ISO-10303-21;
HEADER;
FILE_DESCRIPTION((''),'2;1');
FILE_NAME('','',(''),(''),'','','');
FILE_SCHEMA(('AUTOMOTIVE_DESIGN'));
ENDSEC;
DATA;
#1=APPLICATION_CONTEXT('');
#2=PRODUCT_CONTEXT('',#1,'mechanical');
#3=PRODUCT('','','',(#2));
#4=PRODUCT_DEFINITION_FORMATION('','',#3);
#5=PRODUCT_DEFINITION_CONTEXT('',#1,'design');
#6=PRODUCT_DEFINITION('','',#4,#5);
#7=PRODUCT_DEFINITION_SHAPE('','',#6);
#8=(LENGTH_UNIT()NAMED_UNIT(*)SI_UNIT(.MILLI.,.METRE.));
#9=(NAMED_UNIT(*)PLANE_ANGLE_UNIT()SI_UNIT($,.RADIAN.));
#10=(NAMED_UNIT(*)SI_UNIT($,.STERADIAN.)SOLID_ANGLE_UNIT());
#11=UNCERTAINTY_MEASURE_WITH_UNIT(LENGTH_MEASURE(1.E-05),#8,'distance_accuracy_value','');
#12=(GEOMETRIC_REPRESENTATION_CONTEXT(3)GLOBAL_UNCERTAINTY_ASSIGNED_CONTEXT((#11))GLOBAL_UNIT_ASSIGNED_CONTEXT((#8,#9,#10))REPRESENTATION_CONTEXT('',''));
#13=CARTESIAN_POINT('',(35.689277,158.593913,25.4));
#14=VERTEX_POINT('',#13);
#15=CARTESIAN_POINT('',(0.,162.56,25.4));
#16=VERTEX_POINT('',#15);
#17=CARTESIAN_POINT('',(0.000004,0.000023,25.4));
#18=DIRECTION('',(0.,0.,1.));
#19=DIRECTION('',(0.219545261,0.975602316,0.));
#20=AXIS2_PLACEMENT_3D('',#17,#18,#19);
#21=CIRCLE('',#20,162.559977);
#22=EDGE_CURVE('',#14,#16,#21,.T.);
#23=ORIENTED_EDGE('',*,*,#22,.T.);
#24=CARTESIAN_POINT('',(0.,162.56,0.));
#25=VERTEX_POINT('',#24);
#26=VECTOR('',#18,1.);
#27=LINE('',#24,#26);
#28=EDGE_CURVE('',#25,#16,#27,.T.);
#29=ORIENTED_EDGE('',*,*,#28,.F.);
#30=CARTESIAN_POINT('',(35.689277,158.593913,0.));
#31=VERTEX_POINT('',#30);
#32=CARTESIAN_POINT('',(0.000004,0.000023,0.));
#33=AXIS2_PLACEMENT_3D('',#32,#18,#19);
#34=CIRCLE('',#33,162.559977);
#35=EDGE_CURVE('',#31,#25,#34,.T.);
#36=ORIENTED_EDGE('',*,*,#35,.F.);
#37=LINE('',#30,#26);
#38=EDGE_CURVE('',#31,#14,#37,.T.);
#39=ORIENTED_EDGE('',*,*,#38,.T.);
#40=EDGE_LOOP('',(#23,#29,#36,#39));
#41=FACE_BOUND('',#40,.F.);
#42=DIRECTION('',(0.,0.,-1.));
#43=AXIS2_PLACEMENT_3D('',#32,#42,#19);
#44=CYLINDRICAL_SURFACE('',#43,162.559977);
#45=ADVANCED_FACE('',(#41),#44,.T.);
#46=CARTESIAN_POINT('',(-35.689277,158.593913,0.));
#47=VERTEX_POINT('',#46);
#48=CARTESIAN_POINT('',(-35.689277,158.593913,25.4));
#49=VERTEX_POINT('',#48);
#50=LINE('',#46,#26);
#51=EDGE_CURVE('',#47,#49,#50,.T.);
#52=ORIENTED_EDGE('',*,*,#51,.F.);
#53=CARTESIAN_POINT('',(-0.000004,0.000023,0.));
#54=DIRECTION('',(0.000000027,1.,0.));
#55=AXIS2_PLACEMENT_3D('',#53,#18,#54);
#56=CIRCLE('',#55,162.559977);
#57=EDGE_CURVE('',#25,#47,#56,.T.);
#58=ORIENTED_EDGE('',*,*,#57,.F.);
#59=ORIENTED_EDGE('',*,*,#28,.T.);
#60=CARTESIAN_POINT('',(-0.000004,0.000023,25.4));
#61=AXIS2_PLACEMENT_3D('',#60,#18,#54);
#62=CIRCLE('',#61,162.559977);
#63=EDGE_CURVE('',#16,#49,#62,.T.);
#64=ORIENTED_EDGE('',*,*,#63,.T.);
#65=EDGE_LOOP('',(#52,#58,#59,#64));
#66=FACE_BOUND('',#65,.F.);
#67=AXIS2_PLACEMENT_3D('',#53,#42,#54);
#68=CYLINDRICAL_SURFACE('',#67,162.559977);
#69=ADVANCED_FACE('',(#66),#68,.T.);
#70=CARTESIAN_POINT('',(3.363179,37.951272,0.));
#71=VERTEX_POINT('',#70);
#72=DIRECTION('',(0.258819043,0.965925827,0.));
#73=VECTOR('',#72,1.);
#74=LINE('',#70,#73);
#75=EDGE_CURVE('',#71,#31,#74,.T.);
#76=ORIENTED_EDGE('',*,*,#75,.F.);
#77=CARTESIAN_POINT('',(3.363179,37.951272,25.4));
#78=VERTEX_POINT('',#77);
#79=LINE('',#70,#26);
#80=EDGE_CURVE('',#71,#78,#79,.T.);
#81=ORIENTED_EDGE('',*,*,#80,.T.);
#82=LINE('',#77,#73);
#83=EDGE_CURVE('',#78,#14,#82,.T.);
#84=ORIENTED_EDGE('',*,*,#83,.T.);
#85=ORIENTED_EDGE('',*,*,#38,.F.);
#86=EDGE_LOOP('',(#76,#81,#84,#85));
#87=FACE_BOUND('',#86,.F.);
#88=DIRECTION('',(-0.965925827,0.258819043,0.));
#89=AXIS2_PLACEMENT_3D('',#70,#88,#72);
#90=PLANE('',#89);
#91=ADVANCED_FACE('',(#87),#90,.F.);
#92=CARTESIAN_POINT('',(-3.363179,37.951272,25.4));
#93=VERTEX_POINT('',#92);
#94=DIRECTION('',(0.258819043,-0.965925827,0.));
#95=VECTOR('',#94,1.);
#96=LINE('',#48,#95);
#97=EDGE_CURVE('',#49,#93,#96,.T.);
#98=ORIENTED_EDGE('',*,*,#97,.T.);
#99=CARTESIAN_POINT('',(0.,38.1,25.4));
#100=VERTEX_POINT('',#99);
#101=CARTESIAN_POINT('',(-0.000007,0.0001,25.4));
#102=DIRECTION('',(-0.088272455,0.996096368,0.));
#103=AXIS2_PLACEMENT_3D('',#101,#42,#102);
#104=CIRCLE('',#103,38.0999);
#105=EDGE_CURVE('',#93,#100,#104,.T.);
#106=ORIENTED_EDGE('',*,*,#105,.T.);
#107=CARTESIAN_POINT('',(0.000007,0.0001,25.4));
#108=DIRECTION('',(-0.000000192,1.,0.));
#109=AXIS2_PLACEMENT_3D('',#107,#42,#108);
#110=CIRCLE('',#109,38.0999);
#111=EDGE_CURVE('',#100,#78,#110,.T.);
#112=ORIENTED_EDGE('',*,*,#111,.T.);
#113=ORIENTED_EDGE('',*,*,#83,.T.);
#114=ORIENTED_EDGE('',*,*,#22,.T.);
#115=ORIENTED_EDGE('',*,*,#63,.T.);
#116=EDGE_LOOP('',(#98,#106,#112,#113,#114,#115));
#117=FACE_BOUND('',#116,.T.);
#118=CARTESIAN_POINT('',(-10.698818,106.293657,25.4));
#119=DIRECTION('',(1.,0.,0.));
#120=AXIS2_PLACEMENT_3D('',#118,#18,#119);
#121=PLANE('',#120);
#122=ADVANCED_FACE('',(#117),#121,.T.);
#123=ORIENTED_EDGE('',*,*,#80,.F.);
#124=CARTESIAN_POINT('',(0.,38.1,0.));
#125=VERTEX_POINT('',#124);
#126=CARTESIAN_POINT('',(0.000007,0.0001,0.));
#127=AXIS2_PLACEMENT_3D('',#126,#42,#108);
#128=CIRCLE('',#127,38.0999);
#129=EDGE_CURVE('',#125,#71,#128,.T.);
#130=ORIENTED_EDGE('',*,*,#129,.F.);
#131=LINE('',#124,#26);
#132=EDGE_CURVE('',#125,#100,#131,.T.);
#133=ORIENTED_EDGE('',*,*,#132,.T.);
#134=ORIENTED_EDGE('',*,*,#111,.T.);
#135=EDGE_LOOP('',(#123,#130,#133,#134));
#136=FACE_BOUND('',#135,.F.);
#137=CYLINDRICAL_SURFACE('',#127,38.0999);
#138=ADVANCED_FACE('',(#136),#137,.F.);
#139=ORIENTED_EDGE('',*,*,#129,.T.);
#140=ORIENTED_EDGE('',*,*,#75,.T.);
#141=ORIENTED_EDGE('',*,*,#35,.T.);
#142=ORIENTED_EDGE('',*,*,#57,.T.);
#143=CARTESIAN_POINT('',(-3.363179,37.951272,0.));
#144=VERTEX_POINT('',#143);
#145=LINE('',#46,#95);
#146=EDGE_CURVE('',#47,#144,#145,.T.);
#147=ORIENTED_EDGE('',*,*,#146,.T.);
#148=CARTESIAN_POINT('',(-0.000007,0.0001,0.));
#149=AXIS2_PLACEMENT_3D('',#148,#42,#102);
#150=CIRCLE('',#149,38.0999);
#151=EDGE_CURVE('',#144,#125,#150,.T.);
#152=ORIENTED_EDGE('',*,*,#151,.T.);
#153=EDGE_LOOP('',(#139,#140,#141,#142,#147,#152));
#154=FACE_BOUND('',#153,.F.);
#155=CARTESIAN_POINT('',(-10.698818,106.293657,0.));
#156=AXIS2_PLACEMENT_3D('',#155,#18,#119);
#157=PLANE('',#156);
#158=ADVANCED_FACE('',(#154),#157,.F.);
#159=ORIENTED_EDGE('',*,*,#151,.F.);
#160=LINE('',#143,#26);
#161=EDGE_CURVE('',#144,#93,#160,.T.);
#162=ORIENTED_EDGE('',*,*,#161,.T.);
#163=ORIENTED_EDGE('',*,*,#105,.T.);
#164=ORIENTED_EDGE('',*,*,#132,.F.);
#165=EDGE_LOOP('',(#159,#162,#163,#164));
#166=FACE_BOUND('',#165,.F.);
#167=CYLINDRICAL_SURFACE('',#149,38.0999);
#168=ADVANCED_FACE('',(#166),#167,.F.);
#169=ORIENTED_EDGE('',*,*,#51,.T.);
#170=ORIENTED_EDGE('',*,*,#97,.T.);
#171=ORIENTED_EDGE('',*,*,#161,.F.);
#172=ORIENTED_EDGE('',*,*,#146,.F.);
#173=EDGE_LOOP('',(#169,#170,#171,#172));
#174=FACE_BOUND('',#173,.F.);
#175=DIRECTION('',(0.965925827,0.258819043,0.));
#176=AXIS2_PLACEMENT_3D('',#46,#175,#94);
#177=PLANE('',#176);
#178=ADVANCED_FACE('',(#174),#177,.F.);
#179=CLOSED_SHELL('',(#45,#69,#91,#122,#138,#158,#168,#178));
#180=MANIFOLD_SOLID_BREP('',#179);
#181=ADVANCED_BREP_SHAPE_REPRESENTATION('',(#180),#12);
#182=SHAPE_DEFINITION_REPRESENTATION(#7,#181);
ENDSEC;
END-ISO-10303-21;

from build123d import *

# Parameters (mm, degrees)
F1_DEPTH = 25.4


with BuildPart() as f1:
    # F0 (on Top) → F1 (new body)
    with BuildSketch(Plane.XY):
        with BuildLine():
            ThreePointArc((-3.363179, 37.951272), (-1.683233, 38.0628), (0, 38.1))
            Line((0, 38.1), (0, 162.56))
            ThreePointArc((0, 162.56), (-17.954487, 161.565436), (-35.689277, 158.593913))
            Line((-35.689277, 158.593913), (-3.363179, 37.951272))
        make_face()
        with BuildLine():
            Line((0, 162.56), (0, 38.1))
            ThreePointArc((0, 38.1), (1.683233, 38.0628), (3.363179, 37.951272))
            Line((3.363179, 37.951272), (35.689277, 158.593913))
            ThreePointArc((35.689277, 158.593913), (17.954487, 161.565436), (0, 162.56))
        make_face()
    extrude(amount=F1_DEPTH)


solid = f1.part
